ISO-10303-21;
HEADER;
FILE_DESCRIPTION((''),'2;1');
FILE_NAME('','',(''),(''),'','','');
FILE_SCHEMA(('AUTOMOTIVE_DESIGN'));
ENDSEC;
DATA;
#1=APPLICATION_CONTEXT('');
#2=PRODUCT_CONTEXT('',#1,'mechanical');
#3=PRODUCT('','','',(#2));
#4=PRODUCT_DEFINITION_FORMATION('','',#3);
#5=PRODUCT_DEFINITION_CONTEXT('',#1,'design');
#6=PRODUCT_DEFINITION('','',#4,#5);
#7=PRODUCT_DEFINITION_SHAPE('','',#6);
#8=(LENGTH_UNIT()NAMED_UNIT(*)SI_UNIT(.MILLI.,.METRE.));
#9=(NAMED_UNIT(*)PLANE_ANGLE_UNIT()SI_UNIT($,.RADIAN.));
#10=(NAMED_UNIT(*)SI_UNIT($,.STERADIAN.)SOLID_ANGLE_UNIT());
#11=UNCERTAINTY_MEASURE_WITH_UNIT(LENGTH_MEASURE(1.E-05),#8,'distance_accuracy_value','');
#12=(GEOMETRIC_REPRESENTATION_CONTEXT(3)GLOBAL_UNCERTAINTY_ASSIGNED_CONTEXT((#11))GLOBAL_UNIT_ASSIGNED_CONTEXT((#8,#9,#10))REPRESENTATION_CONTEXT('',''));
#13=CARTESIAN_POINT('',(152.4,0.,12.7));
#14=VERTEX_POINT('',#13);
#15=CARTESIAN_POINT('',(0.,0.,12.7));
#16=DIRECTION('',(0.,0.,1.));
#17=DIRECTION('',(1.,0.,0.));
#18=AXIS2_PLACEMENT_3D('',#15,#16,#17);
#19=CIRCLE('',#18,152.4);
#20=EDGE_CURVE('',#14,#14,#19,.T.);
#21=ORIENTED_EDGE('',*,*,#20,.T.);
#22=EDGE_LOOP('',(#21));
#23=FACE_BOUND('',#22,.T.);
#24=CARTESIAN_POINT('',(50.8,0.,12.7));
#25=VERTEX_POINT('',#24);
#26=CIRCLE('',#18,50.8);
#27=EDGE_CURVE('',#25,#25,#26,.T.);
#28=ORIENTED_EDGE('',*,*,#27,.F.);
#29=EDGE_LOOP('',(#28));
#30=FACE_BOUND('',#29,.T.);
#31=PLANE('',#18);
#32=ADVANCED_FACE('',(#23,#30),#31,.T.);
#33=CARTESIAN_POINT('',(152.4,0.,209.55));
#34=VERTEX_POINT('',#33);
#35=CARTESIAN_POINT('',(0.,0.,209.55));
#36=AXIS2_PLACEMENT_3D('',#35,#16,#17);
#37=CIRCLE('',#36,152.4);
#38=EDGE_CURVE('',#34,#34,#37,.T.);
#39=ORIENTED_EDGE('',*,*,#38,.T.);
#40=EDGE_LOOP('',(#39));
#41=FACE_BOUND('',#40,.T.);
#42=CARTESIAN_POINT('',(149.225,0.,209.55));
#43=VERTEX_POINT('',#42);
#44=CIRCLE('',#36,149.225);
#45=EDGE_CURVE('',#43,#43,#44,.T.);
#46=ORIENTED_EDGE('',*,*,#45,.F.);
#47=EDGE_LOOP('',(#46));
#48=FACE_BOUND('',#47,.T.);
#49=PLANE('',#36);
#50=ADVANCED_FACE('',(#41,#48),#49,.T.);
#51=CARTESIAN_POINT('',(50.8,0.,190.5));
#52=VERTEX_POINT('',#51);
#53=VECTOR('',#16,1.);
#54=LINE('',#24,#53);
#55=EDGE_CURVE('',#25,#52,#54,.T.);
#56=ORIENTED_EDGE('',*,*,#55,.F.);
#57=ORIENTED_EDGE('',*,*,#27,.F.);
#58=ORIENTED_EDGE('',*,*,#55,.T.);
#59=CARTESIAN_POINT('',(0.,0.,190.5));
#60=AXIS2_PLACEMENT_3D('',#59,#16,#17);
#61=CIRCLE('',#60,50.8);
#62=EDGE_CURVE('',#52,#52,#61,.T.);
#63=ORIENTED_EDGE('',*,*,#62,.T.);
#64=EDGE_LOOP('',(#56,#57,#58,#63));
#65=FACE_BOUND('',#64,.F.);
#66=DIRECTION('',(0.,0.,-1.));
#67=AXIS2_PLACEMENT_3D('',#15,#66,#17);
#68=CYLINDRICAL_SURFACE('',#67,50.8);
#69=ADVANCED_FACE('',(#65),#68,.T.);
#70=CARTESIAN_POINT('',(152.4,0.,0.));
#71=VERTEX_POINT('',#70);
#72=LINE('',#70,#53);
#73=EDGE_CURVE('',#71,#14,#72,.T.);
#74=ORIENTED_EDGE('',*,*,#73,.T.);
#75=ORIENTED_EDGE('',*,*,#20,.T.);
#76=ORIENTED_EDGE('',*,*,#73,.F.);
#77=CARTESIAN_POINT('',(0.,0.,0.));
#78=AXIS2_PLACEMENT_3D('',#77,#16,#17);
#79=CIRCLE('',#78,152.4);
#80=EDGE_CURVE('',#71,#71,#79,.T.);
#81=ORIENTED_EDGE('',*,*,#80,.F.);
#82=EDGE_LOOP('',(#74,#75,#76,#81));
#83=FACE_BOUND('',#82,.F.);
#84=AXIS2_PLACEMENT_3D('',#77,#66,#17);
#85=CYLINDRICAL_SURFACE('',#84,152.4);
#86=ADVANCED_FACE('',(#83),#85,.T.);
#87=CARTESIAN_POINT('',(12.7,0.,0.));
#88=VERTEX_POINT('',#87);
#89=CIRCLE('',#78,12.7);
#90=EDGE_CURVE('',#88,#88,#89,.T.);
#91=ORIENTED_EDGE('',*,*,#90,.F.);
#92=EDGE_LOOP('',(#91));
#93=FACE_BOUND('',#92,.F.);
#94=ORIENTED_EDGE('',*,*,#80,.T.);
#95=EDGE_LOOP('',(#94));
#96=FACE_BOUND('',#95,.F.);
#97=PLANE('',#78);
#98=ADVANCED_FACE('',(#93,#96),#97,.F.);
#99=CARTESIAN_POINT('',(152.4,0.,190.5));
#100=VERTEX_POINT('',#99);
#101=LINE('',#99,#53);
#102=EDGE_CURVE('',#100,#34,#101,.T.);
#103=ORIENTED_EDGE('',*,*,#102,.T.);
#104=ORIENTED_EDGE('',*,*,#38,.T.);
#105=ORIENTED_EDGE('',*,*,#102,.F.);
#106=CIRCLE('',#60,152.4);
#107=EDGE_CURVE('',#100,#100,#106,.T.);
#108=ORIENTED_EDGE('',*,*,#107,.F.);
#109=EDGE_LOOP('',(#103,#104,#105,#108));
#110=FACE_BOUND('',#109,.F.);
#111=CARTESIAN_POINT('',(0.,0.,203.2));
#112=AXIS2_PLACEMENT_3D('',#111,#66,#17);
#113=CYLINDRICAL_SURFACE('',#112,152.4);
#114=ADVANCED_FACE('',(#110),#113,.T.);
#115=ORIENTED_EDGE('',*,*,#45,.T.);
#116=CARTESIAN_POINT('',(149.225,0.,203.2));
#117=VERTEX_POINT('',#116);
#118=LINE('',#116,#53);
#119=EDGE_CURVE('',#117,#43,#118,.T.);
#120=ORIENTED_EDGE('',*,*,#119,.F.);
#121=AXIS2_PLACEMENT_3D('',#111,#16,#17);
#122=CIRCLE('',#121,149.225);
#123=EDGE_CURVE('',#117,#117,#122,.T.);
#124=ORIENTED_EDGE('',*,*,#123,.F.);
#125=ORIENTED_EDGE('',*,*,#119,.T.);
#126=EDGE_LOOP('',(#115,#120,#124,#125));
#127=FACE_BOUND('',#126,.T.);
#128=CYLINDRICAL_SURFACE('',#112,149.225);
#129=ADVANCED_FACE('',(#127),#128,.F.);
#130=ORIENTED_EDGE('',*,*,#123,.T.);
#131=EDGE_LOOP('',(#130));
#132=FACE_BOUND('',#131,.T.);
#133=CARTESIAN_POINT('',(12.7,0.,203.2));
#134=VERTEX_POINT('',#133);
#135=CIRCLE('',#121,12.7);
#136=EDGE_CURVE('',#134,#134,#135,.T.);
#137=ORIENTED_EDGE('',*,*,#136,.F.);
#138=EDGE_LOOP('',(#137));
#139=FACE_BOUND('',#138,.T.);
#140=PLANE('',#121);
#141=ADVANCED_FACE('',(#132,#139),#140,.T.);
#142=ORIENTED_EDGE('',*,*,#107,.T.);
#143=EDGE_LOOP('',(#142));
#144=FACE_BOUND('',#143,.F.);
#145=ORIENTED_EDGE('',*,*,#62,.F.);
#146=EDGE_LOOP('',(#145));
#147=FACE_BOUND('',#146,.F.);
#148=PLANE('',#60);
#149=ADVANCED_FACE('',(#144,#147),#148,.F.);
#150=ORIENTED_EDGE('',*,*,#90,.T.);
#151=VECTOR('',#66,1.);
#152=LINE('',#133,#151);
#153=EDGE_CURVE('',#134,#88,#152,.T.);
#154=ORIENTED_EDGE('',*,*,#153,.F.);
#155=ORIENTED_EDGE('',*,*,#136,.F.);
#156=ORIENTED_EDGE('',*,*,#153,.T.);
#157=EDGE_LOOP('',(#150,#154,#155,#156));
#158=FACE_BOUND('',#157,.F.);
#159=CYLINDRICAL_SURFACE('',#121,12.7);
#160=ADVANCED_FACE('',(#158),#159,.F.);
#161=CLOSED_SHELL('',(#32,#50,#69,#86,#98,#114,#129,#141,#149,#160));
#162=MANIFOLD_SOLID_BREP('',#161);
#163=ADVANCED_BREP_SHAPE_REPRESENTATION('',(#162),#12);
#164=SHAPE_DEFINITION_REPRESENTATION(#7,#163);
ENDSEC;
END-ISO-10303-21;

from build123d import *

# Parameters (mm, degrees)
F0_R     = 152.4
F1_DEPTH = 12.7
F2_R     = 50.8
F3_DEPTH = 177.8
F4_R     = 152.4
F4_R_2   = 50.8
F5_DEPTH = 12.7
F6_R     = 152.4
F6_R_2   = 149.225
F7_DEPTH = 6.35
F8_R     = 12.7
F9_DEPTH = 457.2


with BuildPart() as f1:
    # F0 (on Top) → F1 (new body)
    with BuildSketch(Plane.XY):
        Circle(F0_R)
    extrude(amount=F1_DEPTH)

    # F2 (on face) → F3 (join)
    with BuildSketch(Plane.XY.offset(12.7)):
        Circle(F2_R)
    extrude(amount=F3_DEPTH)

    # F4 (on face) → F5 (join)
    with BuildSketch(Plane.XY.offset(190.5)):
        Circle(F4_R)
        Circle(F4_R_2, mode=Mode.SUBTRACT)
        Circle(F4_R_2)
    extrude(amount=F5_DEPTH)

    # F6 (on face) → F7 (join)
    with BuildSketch(Plane.XY.offset(203.2)):
        Circle(F6_R)
        Circle(F6_R_2, mode=Mode.SUBTRACT)
    extrude(amount=F7_DEPTH)

    # F8 (on face) → F9 (cut)
    with BuildSketch(Plane.XY.offset(203.2)):
        Circle(F8_R)
    extrude(amount=-F9_DEPTH, mode=Mode.SUBTRACT)


solid = f1.part
